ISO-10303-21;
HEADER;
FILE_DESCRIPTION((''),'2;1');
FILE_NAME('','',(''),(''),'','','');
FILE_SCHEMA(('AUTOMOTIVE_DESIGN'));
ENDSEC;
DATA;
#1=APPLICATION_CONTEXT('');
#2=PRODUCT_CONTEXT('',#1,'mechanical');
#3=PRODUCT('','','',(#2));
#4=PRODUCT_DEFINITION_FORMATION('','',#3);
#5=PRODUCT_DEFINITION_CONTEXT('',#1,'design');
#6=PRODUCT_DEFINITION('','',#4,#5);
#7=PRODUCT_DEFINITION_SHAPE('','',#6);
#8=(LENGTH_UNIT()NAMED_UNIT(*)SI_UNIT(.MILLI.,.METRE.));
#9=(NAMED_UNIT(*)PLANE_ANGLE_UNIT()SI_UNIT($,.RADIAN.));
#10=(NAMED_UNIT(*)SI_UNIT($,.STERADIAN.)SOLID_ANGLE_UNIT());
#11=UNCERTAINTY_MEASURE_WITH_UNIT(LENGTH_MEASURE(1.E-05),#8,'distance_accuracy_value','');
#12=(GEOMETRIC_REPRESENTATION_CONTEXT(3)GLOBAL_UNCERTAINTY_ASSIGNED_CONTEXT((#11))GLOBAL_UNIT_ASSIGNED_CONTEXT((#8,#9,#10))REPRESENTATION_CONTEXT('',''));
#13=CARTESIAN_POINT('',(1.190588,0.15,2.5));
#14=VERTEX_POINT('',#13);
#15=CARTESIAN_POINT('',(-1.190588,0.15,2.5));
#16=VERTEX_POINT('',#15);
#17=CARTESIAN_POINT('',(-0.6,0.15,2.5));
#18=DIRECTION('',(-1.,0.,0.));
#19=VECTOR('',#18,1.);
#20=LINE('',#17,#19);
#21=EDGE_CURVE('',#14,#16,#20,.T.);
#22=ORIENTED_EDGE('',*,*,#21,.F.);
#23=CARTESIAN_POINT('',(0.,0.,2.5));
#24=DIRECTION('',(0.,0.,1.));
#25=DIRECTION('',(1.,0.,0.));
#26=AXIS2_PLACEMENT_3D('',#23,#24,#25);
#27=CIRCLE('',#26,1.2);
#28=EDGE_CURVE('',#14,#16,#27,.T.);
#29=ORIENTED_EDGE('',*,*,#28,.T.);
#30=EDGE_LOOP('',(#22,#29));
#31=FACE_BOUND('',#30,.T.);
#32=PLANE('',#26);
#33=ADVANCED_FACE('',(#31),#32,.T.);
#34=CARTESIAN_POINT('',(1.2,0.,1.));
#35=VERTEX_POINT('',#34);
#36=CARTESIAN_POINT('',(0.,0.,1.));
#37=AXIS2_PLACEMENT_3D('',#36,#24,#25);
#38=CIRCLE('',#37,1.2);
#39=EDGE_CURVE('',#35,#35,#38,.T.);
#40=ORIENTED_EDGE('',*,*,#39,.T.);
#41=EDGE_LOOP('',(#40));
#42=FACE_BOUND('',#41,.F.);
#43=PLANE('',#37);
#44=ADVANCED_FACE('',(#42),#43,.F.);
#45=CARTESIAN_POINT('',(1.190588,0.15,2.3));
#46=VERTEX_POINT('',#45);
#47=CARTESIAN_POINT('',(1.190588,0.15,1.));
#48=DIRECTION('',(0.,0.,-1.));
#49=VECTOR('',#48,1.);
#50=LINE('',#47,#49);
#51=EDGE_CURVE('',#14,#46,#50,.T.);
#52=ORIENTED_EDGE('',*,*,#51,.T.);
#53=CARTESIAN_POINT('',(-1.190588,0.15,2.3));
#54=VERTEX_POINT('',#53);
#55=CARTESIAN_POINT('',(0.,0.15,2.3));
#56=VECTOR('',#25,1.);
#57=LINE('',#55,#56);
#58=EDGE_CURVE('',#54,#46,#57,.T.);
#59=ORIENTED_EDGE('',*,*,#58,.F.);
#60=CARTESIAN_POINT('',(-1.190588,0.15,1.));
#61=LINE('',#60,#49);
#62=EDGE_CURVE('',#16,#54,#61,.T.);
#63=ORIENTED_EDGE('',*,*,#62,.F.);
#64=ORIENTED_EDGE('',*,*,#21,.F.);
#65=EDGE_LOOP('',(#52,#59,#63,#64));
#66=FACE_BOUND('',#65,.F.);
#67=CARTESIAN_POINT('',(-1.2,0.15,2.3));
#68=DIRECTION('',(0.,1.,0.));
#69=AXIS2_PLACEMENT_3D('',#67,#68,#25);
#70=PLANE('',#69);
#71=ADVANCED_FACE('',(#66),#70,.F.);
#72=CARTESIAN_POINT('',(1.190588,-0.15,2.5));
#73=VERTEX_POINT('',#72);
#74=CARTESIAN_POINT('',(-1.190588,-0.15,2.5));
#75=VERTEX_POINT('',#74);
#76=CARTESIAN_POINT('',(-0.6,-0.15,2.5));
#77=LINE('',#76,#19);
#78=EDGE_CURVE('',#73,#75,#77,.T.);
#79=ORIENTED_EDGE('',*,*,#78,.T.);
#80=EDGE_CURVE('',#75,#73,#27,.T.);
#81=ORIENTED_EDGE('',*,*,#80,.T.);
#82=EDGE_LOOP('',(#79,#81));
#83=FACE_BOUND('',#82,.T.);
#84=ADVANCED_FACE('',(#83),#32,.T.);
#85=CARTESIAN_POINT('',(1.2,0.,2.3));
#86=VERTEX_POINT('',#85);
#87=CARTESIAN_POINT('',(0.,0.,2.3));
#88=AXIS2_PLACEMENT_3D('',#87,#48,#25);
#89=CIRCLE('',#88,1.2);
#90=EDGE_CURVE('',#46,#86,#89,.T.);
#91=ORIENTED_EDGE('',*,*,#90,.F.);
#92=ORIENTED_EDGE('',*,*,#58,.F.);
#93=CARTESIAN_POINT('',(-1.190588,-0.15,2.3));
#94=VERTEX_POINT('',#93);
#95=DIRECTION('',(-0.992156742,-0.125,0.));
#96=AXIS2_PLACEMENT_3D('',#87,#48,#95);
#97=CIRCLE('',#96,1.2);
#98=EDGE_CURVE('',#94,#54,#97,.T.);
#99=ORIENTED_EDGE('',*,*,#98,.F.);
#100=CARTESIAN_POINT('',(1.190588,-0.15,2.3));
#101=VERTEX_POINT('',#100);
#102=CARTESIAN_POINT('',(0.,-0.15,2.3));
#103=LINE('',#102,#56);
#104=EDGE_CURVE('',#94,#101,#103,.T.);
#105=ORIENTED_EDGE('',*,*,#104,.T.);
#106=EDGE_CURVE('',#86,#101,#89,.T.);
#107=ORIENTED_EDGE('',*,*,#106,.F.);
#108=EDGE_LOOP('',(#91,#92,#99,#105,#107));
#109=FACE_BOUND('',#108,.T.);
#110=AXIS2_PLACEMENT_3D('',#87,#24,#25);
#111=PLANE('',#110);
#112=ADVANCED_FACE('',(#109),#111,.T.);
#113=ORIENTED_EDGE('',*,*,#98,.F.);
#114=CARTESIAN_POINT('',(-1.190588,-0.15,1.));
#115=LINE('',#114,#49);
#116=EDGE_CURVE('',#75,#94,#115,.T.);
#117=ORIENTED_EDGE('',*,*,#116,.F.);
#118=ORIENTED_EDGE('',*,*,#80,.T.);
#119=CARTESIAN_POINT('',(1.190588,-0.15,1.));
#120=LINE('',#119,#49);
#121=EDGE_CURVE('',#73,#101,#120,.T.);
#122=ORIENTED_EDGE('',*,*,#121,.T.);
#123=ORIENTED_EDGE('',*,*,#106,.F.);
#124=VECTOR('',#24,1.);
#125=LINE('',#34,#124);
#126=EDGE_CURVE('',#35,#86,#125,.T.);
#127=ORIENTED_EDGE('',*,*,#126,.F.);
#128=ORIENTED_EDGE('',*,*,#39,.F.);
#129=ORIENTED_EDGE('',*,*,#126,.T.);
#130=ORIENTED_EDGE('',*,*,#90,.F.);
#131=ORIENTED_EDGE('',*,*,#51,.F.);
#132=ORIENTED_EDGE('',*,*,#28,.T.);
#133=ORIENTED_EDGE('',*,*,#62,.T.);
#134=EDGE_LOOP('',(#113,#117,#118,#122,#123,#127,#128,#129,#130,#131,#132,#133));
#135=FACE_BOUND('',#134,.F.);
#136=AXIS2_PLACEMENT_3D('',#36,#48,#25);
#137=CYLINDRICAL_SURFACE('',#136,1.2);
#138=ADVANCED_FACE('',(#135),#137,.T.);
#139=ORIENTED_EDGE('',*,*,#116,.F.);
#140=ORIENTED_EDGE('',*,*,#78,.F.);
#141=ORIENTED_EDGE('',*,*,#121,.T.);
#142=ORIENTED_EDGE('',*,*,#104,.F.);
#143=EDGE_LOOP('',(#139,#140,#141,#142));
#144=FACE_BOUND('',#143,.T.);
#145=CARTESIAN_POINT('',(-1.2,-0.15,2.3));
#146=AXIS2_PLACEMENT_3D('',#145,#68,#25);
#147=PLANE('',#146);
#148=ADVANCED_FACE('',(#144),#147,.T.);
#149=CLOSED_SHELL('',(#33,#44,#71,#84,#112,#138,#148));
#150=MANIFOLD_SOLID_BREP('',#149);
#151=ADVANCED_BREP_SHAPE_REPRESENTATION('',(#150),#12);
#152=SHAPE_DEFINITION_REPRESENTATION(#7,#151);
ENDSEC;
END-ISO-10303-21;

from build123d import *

# Parameters (mm, degrees)
BOX023_W          = 2.4
BOX023_H          = 0.3
BOX023_DEPTH      = 0.3
CYLINDER002_R     = 1.2
CYLINDER002_DEPTH = 1.5


with BuildPart() as kub023:
    # Box023 → Box023 (new body)
    with BuildSketch(Plane(origin=(-1.2, -0.15, 2.3), x_dir=(1, 0, 0), z_dir=(0, 0, 1))):
        with Locations((1.2, 0.15)):
            Rectangle(BOX023_W, BOX023_H)
    extrude(amount=BOX023_DEPTH)


with BuildPart() as cut016:
    # Cylinder002 → Cylinder002 (new body)
    with BuildSketch(Plane.XY.offset(1)):
        Circle(CYLINDER002_R)
    extrude(amount=CYLINDER002_DEPTH)

    # Cut016: cut Kub023
    add(kub023.part, mode=Mode.SUBTRACT)


solid = cut016.part
